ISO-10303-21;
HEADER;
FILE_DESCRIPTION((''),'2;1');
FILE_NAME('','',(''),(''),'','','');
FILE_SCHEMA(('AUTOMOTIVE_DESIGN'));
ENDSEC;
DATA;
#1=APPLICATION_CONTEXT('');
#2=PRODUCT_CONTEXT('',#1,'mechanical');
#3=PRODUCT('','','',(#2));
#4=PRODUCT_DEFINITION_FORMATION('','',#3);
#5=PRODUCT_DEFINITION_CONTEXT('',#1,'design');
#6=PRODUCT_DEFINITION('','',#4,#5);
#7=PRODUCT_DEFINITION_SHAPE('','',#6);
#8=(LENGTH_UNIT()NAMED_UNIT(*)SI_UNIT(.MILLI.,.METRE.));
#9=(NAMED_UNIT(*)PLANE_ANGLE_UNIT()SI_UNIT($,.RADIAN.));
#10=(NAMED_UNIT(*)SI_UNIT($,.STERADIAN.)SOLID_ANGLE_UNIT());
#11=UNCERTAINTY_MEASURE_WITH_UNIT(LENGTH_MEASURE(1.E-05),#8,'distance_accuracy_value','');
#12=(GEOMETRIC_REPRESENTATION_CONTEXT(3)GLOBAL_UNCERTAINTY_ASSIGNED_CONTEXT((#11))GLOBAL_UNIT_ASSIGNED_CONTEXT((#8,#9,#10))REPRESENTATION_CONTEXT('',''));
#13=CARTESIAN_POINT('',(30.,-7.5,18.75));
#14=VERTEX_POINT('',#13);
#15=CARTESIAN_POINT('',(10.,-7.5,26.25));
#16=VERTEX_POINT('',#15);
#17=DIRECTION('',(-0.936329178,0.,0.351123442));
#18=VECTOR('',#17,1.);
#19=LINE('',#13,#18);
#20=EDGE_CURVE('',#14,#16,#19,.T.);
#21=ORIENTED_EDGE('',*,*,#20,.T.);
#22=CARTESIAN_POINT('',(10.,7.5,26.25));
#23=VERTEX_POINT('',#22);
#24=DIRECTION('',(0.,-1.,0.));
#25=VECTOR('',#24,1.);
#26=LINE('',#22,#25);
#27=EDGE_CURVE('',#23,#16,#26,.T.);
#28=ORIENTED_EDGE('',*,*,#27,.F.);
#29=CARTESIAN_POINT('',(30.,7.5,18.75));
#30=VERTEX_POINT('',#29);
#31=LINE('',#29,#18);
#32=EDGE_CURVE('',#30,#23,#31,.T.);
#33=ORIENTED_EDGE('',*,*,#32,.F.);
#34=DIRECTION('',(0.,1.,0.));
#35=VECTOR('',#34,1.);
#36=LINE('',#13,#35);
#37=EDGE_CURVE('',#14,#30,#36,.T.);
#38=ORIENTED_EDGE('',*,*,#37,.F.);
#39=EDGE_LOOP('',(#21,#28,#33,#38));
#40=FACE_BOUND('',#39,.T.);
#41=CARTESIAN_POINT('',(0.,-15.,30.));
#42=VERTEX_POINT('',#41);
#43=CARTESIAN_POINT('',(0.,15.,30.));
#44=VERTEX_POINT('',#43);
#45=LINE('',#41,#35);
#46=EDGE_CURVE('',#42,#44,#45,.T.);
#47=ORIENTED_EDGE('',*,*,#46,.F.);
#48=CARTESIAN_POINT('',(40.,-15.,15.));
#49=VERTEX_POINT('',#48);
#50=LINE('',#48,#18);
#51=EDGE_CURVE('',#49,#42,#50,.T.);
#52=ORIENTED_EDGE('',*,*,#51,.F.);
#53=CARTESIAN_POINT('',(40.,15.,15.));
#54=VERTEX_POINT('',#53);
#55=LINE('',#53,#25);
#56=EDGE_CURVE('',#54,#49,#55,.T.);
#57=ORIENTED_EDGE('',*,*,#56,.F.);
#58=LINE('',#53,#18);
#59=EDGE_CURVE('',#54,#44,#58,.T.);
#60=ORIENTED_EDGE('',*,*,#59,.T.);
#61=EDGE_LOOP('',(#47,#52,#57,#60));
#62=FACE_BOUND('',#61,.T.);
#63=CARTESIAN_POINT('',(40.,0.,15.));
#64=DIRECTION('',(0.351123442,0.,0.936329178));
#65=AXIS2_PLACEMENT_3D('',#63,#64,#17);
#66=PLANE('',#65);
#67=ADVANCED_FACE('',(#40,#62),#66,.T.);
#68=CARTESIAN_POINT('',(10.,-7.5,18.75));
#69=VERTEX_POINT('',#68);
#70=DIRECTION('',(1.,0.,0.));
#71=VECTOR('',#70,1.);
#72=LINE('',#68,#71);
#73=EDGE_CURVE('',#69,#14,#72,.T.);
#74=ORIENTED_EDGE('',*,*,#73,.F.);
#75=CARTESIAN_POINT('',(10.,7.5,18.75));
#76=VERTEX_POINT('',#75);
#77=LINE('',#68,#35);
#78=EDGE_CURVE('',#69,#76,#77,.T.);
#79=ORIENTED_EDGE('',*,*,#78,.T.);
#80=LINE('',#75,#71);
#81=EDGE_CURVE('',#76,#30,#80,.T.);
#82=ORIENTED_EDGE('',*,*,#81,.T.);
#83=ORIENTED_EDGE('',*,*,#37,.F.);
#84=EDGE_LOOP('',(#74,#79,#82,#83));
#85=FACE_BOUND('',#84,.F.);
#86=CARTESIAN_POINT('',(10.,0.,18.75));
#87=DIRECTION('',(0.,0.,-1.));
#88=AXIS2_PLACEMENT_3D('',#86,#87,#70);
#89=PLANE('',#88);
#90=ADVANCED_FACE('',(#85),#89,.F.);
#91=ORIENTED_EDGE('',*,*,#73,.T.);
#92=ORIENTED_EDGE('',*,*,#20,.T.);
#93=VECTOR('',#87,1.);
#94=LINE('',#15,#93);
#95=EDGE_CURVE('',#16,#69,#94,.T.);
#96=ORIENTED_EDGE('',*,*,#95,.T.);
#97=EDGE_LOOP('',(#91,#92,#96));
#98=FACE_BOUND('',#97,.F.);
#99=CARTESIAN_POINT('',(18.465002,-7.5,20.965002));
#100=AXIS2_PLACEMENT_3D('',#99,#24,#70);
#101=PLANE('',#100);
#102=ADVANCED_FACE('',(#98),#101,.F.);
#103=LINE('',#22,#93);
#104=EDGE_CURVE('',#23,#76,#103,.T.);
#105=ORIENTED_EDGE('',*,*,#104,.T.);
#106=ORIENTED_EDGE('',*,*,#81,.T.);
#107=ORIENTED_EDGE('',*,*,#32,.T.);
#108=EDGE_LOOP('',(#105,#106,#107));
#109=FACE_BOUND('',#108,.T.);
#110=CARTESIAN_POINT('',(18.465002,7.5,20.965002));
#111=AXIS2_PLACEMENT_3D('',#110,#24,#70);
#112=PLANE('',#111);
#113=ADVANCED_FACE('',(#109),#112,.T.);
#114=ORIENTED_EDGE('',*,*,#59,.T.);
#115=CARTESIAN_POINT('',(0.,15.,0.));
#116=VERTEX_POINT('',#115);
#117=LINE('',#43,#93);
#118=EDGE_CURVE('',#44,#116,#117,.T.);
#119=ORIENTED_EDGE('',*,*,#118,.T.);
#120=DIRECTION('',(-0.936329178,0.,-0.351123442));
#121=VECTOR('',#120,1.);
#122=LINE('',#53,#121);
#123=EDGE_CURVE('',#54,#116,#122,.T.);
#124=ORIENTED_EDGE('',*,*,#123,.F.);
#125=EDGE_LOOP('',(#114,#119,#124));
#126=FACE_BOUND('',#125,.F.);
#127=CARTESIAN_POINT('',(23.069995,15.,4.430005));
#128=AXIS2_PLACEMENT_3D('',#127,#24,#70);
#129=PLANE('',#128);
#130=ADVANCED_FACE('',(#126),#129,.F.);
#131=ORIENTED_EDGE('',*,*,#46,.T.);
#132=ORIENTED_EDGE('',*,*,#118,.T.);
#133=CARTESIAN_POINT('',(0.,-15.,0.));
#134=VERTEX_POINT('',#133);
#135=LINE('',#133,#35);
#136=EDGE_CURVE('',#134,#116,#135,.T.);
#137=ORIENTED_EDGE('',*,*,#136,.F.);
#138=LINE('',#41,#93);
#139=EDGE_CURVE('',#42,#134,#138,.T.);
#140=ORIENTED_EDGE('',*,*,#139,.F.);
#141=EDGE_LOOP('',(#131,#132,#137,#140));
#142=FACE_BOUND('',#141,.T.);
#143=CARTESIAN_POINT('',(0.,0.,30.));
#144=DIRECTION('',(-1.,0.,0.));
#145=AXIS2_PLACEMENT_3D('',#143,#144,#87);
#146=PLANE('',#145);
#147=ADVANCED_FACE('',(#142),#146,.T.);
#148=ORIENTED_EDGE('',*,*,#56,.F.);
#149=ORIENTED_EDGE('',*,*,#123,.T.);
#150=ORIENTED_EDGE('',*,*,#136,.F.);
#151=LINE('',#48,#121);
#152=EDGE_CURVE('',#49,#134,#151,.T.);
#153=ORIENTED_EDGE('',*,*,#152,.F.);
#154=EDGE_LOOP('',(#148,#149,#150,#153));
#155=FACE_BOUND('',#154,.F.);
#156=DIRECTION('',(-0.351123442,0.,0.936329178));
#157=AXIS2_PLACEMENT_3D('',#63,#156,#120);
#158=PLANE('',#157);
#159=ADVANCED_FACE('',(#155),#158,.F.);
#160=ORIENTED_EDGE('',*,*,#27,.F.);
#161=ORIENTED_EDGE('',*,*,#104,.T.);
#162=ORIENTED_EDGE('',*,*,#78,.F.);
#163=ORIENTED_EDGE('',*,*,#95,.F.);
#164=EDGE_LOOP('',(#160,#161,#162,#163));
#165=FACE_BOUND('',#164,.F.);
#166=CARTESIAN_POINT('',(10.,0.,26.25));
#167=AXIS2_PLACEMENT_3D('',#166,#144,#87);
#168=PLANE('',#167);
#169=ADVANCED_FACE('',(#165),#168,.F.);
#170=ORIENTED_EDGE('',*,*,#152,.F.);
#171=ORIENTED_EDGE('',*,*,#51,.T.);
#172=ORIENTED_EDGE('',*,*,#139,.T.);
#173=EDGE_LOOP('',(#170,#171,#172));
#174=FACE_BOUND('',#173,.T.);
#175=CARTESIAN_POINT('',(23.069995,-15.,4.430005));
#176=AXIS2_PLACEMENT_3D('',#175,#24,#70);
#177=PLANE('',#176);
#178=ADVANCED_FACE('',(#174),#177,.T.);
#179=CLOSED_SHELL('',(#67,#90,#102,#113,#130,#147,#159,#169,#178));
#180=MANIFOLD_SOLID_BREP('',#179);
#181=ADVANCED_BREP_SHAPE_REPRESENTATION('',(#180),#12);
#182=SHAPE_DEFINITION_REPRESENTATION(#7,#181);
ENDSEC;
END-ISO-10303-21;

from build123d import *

# Parameters (mm, degrees)
F1_DEPTH = 15
F2_DEPTH = 7.5
F3_DEPTH = 15


with BuildPart() as f1:
    # F0 (on Front) → F1 (new body, symmetric)
    with BuildSketch(Plane.XZ):
        Polygon((40, 15), (0, 0), (40, 0), align=None)
        Polygon((30, 18.75), (10, 26.25), (10, 18.75), align=None)
        Polygon((0, 30), (0, 0), (40, 15), (30, 18.75), (10, 18.75), (10, 26.25), align=None)
    extrude(amount=F1_DEPTH, both=True)

    # F0 (on Front) → F2 (cut, symmetric)
    with BuildSketch(Plane.XZ):
        Polygon((30, 18.75), (10, 26.25), (10, 18.75), align=None)
    extrude(amount=F2_DEPTH, both=True, mode=Mode.SUBTRACT)

    # F0 (on Front) → F3 (cut, symmetric)
    with BuildSketch(Plane.XZ):
        Polygon((40, 15), (0, 0), (40, 0), align=None)
    extrude(amount=F3_DEPTH, both=True, mode=Mode.SUBTRACT)


solid = f1.part
